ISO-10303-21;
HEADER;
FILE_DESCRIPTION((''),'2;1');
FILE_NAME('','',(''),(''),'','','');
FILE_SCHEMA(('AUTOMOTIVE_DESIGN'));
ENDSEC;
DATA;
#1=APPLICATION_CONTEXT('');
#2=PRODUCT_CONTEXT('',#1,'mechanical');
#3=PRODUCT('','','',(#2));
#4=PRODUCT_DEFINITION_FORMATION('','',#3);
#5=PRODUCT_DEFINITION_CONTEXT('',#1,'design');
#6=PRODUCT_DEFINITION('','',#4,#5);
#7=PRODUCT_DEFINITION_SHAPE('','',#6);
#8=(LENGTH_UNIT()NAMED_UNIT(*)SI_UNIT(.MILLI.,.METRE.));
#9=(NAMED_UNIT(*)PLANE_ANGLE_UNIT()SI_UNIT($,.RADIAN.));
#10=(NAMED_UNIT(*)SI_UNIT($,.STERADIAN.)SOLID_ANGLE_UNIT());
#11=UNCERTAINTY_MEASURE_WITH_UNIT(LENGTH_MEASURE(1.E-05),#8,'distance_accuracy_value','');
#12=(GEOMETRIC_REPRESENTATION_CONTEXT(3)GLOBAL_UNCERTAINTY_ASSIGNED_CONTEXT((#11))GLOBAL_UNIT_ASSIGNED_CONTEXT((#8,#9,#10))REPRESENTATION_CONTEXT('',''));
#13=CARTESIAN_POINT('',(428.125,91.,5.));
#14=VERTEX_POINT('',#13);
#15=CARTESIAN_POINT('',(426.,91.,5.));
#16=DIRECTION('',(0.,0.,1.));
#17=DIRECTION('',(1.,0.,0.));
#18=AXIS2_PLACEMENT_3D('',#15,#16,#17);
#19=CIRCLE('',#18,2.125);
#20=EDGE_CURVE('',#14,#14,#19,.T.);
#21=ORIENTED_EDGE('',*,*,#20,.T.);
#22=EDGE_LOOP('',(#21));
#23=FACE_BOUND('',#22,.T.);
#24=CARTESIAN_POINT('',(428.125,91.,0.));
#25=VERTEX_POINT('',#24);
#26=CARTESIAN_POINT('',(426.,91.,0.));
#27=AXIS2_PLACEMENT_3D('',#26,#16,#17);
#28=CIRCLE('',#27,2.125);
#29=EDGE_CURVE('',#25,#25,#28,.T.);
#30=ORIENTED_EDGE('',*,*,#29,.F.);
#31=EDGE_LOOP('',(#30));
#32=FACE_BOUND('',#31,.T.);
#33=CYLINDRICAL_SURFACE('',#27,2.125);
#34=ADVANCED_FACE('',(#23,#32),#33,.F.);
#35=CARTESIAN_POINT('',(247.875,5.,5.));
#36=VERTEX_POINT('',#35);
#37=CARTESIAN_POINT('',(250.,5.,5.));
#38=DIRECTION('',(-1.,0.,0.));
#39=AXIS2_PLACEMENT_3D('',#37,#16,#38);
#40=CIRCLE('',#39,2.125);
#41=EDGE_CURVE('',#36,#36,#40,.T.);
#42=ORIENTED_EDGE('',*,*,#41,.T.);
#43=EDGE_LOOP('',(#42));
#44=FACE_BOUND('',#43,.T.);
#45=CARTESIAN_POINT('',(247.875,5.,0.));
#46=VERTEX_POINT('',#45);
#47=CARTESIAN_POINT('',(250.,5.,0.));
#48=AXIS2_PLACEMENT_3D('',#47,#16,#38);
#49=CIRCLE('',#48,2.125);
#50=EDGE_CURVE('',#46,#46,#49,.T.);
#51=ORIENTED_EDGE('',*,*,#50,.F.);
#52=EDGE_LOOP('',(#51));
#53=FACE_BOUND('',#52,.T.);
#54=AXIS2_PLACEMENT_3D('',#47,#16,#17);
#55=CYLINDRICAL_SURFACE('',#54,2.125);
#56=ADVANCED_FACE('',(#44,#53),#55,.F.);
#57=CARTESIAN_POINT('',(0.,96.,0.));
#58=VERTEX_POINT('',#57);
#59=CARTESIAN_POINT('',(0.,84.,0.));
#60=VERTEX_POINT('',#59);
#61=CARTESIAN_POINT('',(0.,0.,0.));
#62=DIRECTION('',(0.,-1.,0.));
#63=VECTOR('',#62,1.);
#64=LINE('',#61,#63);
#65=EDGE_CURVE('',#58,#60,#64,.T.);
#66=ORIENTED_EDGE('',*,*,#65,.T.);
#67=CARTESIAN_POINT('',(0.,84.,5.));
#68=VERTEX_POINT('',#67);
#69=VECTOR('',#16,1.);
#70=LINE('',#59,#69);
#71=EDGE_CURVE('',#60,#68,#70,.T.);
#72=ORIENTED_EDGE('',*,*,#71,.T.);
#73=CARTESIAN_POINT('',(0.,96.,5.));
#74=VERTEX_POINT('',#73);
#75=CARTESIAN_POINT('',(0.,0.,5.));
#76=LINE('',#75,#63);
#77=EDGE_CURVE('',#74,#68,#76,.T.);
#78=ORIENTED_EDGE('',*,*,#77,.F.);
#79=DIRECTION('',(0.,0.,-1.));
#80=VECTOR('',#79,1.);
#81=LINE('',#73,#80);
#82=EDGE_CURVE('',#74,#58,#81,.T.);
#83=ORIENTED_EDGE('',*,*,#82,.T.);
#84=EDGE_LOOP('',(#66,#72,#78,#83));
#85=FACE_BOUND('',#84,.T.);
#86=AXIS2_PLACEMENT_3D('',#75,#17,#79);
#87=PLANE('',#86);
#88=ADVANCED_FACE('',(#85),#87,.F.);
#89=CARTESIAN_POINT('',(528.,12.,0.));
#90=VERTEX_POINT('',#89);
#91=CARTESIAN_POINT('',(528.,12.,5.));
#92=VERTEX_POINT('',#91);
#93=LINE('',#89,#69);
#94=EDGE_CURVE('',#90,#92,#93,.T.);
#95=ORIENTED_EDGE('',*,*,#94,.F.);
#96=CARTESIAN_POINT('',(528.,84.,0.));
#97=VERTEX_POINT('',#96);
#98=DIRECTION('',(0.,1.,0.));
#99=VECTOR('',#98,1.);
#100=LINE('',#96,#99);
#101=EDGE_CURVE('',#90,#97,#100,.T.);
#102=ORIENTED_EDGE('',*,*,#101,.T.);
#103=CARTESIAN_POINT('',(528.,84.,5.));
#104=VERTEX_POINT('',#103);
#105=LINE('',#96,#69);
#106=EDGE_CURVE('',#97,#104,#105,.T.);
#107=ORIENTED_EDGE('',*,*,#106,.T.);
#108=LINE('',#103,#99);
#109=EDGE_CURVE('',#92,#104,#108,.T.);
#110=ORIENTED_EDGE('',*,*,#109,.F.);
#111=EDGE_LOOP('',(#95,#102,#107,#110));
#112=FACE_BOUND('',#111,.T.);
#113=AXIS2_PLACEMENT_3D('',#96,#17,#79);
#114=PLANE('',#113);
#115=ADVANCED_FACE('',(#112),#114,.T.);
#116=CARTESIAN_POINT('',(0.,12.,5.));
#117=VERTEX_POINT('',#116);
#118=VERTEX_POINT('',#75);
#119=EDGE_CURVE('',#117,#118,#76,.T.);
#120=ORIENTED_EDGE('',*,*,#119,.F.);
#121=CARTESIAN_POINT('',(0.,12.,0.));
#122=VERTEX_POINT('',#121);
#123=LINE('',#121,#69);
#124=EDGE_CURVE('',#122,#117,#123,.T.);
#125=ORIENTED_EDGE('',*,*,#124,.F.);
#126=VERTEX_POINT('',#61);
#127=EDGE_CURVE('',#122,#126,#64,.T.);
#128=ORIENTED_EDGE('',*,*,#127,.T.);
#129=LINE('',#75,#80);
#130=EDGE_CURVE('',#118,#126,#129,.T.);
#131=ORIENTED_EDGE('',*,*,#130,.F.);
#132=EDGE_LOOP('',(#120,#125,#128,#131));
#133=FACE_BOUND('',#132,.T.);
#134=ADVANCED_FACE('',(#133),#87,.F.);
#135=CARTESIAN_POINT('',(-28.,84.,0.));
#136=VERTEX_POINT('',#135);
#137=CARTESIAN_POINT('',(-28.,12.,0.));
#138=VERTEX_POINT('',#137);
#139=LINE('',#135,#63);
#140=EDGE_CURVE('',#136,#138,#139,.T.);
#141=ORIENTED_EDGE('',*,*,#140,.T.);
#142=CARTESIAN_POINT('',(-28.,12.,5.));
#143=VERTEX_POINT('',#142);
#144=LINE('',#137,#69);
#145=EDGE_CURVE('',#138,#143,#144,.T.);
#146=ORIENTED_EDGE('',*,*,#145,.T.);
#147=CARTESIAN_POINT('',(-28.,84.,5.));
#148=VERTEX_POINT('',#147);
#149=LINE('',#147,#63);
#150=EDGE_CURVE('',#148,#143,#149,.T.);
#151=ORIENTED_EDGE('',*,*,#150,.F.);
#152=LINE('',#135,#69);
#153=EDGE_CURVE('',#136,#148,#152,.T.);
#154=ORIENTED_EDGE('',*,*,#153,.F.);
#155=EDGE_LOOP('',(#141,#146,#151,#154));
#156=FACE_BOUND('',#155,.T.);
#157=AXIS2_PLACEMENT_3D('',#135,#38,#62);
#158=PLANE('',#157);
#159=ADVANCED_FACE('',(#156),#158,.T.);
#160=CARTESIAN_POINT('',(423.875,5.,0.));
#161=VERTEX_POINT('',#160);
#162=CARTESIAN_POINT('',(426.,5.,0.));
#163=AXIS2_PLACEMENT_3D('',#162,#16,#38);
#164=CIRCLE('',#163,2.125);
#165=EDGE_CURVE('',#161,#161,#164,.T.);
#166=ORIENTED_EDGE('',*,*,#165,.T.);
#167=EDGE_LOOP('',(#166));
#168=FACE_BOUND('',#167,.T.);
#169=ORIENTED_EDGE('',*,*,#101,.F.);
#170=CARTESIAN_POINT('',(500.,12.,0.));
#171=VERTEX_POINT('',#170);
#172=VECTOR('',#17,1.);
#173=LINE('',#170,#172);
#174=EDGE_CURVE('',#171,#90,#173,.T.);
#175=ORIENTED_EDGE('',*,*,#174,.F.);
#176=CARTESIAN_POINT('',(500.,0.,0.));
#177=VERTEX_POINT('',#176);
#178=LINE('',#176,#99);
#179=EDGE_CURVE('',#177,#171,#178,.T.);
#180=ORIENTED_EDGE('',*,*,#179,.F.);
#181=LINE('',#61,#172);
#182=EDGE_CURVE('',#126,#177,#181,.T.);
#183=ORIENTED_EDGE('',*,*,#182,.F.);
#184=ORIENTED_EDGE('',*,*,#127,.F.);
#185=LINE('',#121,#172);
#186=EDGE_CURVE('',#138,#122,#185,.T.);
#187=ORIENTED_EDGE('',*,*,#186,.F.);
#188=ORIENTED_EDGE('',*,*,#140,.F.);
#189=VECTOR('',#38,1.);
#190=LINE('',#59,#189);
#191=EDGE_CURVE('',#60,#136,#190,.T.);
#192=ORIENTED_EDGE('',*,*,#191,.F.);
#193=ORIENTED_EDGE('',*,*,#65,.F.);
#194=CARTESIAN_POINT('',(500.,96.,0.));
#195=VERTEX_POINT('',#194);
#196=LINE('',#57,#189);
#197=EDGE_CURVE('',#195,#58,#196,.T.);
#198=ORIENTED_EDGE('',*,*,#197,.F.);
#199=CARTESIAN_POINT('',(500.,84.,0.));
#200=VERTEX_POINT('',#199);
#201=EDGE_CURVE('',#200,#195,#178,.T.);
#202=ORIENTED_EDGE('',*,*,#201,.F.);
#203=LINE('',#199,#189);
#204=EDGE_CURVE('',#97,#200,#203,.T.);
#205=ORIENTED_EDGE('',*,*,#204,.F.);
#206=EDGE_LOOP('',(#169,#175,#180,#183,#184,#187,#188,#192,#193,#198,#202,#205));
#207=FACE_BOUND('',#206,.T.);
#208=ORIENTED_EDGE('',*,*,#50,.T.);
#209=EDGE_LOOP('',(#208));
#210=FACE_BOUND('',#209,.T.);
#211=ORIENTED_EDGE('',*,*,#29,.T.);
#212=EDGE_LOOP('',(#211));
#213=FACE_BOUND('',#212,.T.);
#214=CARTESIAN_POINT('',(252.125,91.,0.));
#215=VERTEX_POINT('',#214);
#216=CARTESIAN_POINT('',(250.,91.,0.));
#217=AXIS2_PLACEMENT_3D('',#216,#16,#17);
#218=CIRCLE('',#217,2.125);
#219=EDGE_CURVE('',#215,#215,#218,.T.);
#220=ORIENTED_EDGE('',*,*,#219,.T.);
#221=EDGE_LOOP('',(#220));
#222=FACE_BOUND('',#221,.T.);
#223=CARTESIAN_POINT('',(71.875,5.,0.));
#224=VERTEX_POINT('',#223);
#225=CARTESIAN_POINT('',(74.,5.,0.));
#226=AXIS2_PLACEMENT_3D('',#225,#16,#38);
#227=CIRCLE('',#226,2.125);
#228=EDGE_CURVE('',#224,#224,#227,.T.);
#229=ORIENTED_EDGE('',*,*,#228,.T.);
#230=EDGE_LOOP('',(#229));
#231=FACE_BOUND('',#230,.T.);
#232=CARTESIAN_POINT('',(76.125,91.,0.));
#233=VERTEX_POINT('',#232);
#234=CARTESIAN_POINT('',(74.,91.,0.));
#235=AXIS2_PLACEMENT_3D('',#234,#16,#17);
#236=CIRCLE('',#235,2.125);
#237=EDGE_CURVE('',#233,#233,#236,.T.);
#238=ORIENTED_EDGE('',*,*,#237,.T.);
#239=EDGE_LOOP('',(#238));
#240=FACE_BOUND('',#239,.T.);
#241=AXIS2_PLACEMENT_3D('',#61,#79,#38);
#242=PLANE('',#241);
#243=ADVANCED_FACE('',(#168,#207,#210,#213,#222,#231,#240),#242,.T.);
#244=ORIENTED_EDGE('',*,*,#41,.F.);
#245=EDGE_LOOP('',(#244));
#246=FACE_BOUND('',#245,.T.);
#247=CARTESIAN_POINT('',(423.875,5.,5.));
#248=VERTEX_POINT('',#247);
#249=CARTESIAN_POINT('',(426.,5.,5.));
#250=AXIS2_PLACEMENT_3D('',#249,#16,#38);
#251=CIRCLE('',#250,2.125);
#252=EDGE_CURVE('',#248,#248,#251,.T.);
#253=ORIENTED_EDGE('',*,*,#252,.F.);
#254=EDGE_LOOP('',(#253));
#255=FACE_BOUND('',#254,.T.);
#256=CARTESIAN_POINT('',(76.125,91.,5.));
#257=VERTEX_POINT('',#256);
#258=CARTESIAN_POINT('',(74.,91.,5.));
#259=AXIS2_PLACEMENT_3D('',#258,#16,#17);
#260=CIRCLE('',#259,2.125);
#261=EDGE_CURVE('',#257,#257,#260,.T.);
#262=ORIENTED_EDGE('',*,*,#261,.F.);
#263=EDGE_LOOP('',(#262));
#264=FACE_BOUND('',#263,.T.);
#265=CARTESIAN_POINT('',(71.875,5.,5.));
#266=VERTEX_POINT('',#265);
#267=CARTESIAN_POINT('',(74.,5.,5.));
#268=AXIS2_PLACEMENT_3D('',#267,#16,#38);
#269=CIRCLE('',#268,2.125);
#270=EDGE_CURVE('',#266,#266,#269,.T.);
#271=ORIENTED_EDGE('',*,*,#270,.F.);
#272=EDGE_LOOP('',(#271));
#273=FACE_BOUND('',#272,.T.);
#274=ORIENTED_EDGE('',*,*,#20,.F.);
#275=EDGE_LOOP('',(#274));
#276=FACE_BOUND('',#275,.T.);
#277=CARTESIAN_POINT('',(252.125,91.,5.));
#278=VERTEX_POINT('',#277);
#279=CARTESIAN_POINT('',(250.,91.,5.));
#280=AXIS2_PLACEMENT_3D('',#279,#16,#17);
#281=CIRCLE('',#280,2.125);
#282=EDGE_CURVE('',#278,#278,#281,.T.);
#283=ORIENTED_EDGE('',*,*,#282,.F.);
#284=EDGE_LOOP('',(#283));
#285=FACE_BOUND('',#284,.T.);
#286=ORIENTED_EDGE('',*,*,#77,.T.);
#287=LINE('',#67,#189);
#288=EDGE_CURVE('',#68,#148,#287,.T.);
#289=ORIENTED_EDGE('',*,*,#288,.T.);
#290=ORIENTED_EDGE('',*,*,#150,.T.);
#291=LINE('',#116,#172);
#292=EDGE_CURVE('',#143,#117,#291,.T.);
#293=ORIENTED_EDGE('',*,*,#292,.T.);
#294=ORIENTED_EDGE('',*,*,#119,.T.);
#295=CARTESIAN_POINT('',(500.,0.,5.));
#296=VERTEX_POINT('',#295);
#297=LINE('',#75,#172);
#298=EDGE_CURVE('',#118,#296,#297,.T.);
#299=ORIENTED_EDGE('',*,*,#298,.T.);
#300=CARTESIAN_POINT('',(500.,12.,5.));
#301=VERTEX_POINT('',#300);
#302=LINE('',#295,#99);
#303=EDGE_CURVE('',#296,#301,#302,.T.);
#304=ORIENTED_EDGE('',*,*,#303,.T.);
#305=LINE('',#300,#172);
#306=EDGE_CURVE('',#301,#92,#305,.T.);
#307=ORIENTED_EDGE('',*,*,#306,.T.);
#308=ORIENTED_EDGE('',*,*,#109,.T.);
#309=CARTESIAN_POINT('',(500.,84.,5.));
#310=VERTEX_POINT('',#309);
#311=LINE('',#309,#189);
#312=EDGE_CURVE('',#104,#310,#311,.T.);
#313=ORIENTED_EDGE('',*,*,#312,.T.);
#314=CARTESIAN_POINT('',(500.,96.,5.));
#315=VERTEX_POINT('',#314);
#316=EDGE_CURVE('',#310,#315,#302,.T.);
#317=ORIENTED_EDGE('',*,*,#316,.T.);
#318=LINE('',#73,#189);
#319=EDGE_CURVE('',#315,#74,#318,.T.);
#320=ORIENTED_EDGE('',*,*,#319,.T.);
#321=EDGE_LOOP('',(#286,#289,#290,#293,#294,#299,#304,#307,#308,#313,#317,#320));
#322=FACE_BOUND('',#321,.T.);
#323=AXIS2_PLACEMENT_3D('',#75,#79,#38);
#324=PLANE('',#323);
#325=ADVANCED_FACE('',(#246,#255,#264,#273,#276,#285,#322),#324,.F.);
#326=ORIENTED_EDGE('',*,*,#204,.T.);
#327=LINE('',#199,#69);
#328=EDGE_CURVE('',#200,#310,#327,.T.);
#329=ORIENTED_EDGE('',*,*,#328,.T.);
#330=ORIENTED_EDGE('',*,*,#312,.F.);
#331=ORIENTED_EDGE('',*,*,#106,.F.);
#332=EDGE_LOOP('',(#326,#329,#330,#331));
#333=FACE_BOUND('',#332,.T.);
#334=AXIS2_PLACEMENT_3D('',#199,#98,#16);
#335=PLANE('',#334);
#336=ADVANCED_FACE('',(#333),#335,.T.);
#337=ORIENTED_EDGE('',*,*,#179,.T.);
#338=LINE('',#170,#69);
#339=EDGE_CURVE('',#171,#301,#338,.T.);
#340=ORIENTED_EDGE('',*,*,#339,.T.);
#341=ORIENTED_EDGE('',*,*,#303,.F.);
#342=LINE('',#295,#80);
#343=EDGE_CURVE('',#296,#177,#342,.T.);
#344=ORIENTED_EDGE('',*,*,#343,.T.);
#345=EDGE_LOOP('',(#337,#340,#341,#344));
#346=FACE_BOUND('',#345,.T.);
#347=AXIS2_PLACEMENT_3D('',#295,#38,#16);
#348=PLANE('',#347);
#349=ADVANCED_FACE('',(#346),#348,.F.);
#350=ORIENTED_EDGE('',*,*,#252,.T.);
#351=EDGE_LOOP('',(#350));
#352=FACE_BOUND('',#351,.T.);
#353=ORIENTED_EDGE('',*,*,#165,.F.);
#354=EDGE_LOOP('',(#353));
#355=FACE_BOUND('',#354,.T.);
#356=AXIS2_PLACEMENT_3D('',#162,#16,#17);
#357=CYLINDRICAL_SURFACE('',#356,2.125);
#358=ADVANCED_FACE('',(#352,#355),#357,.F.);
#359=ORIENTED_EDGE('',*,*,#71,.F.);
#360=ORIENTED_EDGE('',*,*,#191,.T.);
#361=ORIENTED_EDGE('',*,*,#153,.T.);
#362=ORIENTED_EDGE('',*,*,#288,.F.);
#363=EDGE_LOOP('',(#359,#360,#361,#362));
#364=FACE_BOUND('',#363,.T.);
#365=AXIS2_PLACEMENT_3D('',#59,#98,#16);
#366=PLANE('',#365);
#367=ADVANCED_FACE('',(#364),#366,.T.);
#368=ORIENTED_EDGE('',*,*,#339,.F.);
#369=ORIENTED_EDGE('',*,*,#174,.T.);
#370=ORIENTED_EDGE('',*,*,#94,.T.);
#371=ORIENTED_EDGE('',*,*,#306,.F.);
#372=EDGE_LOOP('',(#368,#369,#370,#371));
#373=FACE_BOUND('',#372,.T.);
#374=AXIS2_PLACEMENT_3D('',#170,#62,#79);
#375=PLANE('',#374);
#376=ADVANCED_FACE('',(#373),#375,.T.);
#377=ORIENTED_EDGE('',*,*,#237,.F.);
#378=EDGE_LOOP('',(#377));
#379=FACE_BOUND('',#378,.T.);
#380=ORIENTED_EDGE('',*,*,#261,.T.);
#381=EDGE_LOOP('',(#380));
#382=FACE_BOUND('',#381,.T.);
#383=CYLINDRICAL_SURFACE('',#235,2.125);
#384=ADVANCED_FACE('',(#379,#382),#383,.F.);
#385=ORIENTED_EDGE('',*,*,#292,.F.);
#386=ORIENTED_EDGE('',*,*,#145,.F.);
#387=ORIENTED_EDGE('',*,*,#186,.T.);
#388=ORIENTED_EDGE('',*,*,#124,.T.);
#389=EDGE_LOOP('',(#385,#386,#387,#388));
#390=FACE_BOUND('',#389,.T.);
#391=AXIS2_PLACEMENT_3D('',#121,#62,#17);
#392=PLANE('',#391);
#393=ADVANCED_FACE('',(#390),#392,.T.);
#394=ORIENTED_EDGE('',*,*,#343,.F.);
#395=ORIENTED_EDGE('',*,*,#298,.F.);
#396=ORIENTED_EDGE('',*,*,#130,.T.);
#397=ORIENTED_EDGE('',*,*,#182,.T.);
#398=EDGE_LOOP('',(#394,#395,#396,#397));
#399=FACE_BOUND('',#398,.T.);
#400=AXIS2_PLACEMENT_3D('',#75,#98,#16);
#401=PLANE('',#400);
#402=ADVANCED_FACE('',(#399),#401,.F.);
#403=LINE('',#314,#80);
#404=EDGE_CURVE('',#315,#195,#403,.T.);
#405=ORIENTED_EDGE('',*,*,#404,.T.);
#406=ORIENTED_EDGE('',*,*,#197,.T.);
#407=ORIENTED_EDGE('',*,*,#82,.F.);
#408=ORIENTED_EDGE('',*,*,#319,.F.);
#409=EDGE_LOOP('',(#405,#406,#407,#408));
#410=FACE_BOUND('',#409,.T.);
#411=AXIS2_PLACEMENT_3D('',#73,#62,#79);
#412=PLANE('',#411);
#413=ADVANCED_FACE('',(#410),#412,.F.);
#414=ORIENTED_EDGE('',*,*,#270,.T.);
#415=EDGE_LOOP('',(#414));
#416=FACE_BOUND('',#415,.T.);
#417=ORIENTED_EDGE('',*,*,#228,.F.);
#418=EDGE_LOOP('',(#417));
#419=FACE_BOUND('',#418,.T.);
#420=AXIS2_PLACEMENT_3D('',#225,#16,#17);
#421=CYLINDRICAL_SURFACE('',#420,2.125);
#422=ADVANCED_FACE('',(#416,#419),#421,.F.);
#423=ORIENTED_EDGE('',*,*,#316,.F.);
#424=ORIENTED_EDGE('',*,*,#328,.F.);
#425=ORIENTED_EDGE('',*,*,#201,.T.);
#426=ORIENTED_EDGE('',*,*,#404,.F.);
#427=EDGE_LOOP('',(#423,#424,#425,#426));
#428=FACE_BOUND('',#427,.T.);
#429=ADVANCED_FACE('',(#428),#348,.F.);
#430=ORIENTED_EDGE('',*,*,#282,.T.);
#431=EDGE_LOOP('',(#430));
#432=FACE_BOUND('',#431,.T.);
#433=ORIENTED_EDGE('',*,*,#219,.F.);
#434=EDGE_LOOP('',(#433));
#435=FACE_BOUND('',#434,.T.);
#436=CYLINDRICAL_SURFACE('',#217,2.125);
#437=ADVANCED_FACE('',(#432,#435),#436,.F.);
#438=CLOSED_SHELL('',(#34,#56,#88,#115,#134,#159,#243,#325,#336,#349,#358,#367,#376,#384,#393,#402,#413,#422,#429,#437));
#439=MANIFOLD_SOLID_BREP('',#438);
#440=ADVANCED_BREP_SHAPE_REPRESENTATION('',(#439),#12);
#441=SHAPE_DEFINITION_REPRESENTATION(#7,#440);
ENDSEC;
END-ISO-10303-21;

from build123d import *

# Parameters (mm, degrees)
SKETCH1_W           = 500
SKETCH1_H           = 96
BOSS_EXTRUDE1_DEPTH = 5
SKETCH2_R           = 2.125
CUT_EXTRUDE1_DEPTH  = 5
SKETCH3_W           = 28
SKETCH3_H           = 72
BOSS_EXTRUDE2_DEPTH = 5


with BuildPart() as part:
    # Sketch1 → Boss-Extrude1 (new body)
    with BuildSketch(Plane.XY):
        with Locations((250, 48)):
            Rectangle(SKETCH1_W, SKETCH1_H)
    extrude(amount=BOSS_EXTRUDE1_DEPTH)

    # Sketch2 → Cut-Extrude1 (cut)
    with BuildSketch(Plane.XY.offset(5)):
        with Locations((74, 91)):
            Circle(SKETCH2_R)
        with Locations((250, 91)):
            Circle(SKETCH2_R)
        with Locations((426, 91)):
            Circle(SKETCH2_R)
        with Locations(Location((426, 5, 0), (0, 0, 180))):
            Circle(SKETCH2_R)
        with Locations(Location((250, 5, 0), (0, 0, 180))):
            Circle(SKETCH2_R)
        with Locations(Location((74, 5, 0), (0, 0, 180))):
            Circle(SKETCH2_R)
    extrude(amount=-CUT_EXTRUDE1_DEPTH, mode=Mode.SUBTRACT)

    # Sketch3 → Boss-Extrude2 (add)
    with BuildSketch(Plane.XY.offset(5)):
        with Locations((514, 48)):
            Rectangle(SKETCH3_W, SKETCH3_H)
        with Locations((-14, 48)):
            Rectangle(SKETCH3_W, SKETCH3_H)
    extrude(amount=-BOSS_EXTRUDE2_DEPTH)


solid = part.part
